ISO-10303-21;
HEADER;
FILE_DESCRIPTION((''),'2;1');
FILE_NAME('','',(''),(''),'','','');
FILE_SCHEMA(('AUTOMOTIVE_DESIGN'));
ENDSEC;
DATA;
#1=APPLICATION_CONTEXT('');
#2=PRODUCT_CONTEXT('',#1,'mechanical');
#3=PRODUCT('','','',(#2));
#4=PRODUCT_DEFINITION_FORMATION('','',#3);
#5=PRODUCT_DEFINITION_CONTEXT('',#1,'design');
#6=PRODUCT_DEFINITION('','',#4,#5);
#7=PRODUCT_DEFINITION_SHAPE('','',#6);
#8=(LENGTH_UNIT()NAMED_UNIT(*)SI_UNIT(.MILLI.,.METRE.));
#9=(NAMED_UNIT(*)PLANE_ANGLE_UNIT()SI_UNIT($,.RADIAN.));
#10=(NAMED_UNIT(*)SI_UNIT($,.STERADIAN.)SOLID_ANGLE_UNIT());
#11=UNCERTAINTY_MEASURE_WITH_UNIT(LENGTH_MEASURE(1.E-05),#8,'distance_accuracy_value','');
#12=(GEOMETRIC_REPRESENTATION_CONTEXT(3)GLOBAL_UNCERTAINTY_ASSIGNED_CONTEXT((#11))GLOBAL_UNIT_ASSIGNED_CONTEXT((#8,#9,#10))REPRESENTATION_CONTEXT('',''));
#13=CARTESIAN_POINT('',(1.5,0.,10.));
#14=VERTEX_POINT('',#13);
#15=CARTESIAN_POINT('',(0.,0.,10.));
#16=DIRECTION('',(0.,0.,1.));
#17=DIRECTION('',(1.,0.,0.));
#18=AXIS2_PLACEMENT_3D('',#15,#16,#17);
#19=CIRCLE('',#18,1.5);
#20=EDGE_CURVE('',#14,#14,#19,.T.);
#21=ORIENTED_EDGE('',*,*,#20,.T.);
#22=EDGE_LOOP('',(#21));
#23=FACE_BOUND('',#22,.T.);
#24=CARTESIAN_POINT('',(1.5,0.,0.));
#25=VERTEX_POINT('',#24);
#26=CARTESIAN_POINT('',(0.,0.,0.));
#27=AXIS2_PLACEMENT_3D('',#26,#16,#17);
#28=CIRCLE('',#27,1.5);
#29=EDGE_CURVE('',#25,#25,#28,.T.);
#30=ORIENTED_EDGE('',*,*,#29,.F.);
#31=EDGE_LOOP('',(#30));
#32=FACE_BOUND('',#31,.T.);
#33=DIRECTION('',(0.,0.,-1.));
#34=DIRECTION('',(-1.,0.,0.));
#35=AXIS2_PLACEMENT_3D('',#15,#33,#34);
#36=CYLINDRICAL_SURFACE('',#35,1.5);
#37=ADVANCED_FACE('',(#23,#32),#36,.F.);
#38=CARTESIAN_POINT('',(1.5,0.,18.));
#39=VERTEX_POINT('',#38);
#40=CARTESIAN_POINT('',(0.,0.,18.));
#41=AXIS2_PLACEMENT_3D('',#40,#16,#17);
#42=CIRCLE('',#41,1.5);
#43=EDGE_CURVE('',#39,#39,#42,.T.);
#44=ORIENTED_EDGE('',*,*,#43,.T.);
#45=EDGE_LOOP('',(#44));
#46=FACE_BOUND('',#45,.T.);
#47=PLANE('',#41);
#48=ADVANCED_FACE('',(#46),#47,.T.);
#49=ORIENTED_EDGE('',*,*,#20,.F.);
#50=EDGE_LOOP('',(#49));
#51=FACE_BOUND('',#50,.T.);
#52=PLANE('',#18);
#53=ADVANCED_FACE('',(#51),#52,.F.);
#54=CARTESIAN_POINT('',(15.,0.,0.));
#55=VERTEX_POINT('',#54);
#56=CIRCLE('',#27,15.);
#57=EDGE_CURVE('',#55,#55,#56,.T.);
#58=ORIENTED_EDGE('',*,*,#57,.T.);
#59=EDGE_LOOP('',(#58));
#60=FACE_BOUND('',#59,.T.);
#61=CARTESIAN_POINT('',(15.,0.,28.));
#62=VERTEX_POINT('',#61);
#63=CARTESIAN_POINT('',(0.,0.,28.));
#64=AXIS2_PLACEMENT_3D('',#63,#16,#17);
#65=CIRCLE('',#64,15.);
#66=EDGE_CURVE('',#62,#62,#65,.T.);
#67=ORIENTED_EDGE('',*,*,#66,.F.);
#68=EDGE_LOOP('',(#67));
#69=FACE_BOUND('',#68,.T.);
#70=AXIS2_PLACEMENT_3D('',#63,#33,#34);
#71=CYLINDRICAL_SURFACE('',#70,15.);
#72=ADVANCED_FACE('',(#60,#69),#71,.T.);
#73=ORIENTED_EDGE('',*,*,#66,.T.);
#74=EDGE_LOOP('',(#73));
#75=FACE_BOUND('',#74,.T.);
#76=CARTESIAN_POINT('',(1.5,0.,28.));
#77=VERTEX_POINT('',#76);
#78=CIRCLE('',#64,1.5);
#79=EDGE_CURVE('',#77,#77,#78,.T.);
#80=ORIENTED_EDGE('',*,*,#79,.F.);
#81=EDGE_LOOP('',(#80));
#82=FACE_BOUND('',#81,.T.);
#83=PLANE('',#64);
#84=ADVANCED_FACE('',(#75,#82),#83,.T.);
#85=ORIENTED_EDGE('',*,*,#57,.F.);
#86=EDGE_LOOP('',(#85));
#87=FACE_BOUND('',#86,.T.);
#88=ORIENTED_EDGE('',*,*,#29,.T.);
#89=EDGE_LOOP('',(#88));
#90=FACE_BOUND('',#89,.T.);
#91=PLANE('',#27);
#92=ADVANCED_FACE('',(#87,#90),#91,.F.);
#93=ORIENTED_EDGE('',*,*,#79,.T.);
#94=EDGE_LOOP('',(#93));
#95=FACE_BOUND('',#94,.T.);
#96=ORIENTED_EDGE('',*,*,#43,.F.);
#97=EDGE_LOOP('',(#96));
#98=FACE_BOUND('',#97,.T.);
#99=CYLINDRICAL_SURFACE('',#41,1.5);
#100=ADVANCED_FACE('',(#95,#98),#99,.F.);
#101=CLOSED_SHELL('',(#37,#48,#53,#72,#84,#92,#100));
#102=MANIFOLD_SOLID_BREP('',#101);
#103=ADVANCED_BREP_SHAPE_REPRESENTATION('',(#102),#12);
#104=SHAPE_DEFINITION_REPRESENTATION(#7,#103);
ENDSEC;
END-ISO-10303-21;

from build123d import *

# Parameters (mm, degrees)
SKETCH_1_R          = 15
EXTRUDE_2_DEPTH     = 28
SKETCH_3_R          = 1.5
CUT_EXTRUDE_3_DEPTH = 10
CUT_EXTRUDE_START   = -18
SKETCH_3_2_R        = 1.5
CUT_EXTRUDE_4_DEPTH = 10


with BuildPart() as part:
    # 草图1 → 凸台-拉伸2 (new body)
    with BuildSketch(Plane.XY):
        Circle(SKETCH_1_R)
    extrude(amount=EXTRUDE_2_DEPTH)

    # 草图3 → 切除-拉伸3 (cut)
    with BuildSketch(Plane.XY.offset(28)):
        Circle(SKETCH_3_R)
    extrude(amount=-CUT_EXTRUDE_3_DEPTH, mode=Mode.SUBTRACT)

    # 草图3<2> → 切除-拉伸4 (cut)
    with BuildSketch(Plane.XY.offset(28).offset(CUT_EXTRUDE_START)):
        Circle(SKETCH_3_2_R)
    extrude(amount=-CUT_EXTRUDE_4_DEPTH, mode=Mode.SUBTRACT)


solid = part.part
